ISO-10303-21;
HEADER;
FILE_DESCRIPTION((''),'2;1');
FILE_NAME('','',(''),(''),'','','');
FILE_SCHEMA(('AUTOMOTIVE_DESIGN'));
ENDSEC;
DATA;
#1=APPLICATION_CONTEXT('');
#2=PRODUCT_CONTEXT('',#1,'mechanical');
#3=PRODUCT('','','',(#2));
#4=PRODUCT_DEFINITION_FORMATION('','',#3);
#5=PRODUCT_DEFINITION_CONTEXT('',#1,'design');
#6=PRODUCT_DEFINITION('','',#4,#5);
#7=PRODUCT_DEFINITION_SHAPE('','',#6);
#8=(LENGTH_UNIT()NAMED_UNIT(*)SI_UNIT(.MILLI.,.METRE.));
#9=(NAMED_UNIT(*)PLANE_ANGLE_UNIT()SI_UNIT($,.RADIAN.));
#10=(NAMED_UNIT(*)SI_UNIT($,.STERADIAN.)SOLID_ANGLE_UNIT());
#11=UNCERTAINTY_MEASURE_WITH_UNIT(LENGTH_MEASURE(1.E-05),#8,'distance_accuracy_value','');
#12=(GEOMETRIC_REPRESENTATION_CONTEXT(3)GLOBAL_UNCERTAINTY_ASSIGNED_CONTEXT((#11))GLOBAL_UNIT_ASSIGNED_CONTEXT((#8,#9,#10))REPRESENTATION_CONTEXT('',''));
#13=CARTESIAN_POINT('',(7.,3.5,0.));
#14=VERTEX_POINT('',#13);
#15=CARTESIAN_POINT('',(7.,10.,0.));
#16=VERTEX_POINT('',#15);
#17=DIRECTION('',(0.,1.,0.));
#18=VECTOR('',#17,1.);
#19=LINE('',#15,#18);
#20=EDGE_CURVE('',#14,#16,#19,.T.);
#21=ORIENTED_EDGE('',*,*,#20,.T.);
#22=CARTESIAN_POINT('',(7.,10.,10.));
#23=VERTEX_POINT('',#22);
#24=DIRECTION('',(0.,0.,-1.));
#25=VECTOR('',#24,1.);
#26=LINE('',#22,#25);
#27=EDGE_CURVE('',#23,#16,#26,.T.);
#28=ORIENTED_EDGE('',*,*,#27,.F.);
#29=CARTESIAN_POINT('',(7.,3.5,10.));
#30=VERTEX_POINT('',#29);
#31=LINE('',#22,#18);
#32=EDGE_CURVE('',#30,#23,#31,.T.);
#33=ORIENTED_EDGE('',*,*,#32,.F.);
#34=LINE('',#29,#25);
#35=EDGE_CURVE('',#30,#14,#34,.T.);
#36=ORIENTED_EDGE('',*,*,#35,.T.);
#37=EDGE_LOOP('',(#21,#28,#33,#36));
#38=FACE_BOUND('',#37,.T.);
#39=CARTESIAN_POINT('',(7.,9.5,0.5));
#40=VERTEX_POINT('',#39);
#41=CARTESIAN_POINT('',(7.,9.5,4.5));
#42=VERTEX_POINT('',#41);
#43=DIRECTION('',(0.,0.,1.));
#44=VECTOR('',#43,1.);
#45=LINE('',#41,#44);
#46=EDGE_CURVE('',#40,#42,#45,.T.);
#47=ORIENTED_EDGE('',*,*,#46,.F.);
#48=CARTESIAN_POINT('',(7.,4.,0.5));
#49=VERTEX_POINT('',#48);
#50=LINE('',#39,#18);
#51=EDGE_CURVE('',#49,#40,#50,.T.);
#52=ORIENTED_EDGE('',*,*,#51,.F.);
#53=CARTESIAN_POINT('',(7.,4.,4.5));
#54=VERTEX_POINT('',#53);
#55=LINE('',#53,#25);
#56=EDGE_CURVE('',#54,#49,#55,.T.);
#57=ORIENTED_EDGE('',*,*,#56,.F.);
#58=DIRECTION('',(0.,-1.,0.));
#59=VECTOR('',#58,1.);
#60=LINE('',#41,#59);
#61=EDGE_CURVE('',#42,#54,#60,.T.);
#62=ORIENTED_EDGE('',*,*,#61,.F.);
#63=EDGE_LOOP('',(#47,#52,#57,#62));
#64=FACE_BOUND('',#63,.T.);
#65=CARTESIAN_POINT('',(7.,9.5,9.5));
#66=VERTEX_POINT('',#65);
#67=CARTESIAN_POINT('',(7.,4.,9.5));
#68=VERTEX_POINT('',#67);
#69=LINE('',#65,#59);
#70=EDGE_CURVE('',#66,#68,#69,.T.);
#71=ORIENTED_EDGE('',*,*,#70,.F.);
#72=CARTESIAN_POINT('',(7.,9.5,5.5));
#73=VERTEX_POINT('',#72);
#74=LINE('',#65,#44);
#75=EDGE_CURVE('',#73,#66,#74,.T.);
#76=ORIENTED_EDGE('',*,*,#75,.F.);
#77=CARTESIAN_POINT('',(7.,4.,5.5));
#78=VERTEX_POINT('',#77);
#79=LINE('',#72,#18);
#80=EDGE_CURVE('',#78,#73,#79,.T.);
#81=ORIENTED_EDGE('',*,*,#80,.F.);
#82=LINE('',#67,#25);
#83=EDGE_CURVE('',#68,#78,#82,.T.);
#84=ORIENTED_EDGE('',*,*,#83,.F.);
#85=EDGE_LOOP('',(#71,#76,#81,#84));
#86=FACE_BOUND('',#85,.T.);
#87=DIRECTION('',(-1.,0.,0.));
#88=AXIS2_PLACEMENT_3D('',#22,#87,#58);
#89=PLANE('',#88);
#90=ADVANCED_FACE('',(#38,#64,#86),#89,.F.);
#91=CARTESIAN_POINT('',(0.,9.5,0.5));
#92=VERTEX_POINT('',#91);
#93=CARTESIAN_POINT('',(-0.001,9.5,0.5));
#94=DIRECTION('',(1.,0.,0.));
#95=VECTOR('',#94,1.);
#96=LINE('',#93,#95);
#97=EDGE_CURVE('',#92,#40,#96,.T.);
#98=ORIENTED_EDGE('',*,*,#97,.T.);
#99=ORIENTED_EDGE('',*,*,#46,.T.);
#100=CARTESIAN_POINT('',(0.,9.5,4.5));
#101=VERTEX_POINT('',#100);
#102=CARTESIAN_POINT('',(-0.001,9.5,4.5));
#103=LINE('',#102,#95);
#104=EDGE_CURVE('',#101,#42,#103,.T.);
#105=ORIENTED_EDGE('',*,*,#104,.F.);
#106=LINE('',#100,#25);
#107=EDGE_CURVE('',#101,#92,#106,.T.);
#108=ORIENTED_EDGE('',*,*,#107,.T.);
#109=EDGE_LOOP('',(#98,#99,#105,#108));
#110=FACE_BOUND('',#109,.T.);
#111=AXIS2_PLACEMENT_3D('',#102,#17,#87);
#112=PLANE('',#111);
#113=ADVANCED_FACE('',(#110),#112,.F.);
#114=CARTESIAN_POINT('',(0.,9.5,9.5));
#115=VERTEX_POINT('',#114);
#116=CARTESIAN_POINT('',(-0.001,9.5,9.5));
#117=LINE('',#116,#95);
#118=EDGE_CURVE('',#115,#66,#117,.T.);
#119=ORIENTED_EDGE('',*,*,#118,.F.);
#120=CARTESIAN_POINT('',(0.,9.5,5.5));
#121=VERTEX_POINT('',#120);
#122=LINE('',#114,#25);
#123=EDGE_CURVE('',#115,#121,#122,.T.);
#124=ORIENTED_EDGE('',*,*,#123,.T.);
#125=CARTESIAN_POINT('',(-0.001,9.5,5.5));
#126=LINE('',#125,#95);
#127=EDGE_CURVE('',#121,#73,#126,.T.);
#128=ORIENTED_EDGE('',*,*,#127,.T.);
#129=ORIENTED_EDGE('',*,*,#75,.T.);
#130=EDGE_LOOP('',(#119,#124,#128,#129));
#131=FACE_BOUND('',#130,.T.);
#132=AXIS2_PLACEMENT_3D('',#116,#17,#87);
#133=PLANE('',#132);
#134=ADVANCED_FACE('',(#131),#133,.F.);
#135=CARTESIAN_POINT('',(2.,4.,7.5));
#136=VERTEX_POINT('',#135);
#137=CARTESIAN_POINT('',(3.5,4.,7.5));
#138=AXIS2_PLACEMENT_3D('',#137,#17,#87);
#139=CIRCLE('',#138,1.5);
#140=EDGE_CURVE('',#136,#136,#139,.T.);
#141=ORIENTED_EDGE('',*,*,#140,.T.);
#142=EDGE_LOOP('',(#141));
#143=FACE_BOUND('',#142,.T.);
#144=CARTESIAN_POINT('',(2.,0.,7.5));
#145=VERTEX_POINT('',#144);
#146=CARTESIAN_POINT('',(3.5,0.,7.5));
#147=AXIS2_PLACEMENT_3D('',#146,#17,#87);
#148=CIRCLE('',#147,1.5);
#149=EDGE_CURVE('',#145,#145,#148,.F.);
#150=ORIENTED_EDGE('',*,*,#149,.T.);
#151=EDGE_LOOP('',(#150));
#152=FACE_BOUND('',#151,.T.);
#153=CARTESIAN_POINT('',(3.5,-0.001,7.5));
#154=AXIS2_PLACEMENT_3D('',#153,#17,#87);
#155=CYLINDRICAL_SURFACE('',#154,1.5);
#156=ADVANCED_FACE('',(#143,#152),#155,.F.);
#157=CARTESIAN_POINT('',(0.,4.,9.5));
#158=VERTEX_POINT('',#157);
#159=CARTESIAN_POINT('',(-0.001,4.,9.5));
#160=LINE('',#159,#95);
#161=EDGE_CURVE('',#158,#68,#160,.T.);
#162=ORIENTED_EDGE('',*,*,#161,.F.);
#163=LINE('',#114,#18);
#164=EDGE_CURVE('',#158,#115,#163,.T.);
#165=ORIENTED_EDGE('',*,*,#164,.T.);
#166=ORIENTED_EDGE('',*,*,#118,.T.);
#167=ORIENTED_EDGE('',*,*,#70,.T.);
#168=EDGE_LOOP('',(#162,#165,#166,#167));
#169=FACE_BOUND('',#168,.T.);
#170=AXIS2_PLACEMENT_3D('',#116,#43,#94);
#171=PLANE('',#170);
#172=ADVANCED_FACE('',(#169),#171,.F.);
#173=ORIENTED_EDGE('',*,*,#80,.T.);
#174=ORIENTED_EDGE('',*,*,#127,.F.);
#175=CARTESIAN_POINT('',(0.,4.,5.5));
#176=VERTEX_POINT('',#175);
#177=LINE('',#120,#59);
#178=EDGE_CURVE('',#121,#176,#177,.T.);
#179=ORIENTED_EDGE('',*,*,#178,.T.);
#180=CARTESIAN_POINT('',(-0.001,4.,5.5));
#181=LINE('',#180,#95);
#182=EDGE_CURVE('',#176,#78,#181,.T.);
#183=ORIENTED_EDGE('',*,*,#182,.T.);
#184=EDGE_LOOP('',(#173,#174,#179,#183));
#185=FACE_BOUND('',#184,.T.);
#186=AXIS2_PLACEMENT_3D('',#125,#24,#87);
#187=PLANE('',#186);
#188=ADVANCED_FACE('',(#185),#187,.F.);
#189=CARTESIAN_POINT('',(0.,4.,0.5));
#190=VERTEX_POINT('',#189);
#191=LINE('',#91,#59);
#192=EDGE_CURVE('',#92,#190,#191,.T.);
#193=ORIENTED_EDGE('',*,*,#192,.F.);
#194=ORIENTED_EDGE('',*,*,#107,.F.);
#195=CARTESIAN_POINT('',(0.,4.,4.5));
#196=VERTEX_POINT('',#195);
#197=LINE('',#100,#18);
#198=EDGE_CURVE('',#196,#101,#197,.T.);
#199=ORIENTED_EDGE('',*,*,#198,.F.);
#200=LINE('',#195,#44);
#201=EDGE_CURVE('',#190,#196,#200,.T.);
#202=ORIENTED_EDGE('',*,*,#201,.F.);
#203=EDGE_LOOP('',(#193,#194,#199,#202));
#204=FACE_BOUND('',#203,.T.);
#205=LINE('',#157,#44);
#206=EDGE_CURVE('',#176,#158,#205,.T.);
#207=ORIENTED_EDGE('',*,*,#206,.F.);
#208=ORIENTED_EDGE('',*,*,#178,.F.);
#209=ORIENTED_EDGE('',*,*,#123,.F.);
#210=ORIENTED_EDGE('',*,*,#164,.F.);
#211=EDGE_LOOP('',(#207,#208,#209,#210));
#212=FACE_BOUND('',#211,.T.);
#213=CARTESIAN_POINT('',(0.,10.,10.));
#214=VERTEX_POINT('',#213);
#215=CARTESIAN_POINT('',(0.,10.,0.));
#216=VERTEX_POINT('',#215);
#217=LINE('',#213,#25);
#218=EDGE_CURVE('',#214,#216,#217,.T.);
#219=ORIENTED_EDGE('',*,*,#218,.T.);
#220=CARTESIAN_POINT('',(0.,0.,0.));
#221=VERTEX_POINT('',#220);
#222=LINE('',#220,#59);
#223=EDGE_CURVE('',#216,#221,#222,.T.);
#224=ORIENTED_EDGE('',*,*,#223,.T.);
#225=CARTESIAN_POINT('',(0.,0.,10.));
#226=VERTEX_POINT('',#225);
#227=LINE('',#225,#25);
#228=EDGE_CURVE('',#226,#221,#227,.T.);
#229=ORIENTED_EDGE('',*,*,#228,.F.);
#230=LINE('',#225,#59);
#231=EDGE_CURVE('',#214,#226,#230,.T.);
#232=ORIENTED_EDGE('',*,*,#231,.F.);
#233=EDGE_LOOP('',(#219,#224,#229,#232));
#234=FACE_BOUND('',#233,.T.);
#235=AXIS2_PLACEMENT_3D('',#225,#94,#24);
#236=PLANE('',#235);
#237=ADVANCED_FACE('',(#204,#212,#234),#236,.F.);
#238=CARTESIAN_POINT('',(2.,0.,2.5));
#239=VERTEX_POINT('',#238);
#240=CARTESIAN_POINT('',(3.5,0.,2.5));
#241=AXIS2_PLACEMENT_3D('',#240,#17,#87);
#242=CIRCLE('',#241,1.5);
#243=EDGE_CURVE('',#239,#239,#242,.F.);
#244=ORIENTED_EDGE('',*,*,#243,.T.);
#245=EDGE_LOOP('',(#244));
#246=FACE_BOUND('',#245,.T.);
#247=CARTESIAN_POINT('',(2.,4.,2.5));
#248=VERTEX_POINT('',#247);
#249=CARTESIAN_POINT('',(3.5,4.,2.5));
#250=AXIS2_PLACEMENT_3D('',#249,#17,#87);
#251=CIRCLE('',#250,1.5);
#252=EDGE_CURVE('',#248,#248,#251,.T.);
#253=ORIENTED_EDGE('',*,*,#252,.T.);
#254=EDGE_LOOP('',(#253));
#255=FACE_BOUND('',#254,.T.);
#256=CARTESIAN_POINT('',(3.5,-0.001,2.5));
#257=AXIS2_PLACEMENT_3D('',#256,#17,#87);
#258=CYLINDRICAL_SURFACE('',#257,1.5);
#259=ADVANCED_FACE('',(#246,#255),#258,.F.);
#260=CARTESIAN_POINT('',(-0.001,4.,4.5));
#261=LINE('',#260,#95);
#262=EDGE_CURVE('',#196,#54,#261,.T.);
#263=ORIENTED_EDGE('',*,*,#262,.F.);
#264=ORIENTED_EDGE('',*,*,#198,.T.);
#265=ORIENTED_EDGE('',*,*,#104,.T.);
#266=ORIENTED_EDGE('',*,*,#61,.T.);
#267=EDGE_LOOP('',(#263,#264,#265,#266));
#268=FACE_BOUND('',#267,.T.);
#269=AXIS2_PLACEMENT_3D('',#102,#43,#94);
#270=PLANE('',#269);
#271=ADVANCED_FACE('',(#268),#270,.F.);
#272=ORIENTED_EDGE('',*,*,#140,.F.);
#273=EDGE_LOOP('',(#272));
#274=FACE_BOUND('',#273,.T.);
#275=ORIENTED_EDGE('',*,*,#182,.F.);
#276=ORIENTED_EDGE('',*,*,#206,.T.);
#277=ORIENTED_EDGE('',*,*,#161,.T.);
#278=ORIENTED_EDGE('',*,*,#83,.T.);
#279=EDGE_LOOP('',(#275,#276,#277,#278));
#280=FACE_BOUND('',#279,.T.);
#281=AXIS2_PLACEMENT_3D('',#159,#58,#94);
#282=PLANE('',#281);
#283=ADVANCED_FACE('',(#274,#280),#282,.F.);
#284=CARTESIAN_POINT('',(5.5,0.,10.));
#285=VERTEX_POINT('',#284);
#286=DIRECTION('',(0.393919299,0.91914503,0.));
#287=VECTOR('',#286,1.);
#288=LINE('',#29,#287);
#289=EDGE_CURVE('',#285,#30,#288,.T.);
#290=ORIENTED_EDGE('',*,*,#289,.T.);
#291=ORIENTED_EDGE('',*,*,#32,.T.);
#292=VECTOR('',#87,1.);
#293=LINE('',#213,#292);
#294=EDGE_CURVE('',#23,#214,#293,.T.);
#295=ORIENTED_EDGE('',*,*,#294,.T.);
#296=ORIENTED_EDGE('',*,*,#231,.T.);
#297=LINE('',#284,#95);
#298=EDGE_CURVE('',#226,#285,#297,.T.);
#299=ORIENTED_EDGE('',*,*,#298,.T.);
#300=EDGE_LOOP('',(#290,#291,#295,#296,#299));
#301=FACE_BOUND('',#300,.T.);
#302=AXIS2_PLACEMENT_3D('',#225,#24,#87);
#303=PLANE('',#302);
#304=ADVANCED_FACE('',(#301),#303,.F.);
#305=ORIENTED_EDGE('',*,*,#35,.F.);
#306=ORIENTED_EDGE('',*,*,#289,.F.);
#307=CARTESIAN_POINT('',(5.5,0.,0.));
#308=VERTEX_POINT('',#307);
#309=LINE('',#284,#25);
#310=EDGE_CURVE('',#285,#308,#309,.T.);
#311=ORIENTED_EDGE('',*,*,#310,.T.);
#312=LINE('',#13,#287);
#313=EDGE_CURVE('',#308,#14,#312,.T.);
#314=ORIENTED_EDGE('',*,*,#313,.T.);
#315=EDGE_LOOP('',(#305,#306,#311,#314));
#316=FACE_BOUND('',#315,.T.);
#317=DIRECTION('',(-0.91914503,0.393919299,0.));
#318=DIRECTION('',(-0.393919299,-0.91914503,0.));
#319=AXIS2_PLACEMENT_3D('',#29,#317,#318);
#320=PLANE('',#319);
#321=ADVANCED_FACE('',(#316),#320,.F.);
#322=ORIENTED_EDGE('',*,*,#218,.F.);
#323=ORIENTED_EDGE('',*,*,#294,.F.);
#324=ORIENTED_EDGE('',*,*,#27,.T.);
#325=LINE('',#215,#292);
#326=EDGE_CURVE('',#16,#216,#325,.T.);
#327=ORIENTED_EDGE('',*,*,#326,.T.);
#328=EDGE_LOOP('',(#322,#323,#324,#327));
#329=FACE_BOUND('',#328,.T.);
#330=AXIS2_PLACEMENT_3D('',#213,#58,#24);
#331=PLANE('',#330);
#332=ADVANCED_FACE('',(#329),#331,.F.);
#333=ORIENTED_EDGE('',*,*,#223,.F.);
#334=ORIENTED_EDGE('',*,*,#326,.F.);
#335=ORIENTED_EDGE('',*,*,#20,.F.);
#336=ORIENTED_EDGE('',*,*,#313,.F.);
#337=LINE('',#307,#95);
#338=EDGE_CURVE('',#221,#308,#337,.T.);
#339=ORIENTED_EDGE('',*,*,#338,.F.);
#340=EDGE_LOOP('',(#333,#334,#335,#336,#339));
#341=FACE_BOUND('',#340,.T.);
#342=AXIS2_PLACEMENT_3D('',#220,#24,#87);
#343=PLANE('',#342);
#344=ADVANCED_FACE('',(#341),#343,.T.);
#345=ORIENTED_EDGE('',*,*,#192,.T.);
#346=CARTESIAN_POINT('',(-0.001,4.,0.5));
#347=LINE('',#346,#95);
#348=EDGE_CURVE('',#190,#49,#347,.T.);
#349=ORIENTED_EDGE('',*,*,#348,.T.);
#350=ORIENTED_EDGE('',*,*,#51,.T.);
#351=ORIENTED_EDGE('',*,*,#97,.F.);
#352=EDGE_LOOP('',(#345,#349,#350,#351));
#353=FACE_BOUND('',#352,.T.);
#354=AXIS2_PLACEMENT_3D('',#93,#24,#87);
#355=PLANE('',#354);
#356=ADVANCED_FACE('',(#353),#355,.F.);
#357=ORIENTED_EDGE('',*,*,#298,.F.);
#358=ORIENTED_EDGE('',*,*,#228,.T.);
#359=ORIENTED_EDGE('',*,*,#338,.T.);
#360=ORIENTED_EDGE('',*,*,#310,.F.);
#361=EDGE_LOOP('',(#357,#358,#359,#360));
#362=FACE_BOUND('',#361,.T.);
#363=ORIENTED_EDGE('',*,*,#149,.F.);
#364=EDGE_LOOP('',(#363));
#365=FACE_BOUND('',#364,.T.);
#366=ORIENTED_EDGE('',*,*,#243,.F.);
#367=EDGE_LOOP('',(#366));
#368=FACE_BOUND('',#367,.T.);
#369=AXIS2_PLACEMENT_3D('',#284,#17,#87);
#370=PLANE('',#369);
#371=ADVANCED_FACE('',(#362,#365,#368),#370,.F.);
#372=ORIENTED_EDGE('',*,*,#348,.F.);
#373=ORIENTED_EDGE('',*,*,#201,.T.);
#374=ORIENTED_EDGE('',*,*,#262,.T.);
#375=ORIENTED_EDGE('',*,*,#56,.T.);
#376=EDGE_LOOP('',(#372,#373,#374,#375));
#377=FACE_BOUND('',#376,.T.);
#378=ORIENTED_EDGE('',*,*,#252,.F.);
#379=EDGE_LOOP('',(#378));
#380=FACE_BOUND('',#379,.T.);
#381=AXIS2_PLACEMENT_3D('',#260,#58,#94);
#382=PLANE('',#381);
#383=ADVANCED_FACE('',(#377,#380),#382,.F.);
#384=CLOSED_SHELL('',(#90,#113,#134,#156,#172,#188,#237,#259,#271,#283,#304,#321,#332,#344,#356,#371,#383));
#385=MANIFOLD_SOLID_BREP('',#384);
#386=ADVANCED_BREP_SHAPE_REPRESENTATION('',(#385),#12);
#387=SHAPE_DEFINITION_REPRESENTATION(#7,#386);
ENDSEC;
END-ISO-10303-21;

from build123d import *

# Parameters (mm, degrees)
BOSS_EXTRUDE1_DEPTH = 10
CUT_EXTRUDE1_REACH  = 9
SKETCH2_W           = 4
SKETCH2_H           = 5.5
CUT_EXTRUDE2_REACH  = 6
SKETCH3_R           = 1.5


with BuildPart() as part:
    # Sketch1 → Boss-Extrude1 (new body)
    with BuildSketch(Plane.XY):
        Polygon((0, 0), (0, 10), (7, 10), (7, 3.5), (5.5, 0), align=None)
    extrude(amount=BOSS_EXTRUDE1_DEPTH)

    # Sketch2 → Cut-Extrude1 (cut, up to next)
    with BuildSketch(Plane(origin=(7, 0, 0), x_dir=(0, 0, -1), z_dir=(1, 0, 0)), mode=Mode.PRIVATE) as cut_extrude1_sk1:
        with Locations((-7.5, 6.75)):
            Rectangle(SKETCH2_W, SKETCH2_H)
    cut_extrude1_tool1 = extrude(cut_extrude1_sk1.sketch, amount=-CUT_EXTRUDE1_REACH, mode=Mode.PRIVATE) & part.part
    add(cut_extrude1_tool1.solids().sort_by_distance((7, 6.75, 7.5))[0], mode=Mode.SUBTRACT)
    # Sketch2 → Cut-Extrude1 (cut, up to next)
    with BuildSketch(Plane(origin=(7, 0, 0), x_dir=(0, 0, -1), z_dir=(1, 0, 0)), mode=Mode.PRIVATE) as cut_extrude1_sk2:
        with Locations((-2.5, 6.75)):
            Rectangle(SKETCH2_W, SKETCH2_H)
    cut_extrude1_tool2 = extrude(cut_extrude1_sk2.sketch, amount=-CUT_EXTRUDE1_REACH, mode=Mode.PRIVATE) & part.part
    add(cut_extrude1_tool2.solids().sort_by_distance((7, 6.75, 2.5))[0], mode=Mode.SUBTRACT)

    # Sketch3 → Cut-Extrude2 (cut, up to next)
    with BuildSketch(Plane(origin=(0, 4, 0), x_dir=(1, 0, 0), z_dir=(0, 1, 0)), mode=Mode.PRIVATE) as cut_extrude2_sk1:
        with Locations((3.5, -2.5)):
            Circle(SKETCH3_R)
    cut_extrude2_tool1 = extrude(cut_extrude2_sk1.sketch, amount=-CUT_EXTRUDE2_REACH, mode=Mode.PRIVATE) & part.part
    add(cut_extrude2_tool1.solids().sort_by_distance((3.5, 4, 2.5))[0], mode=Mode.SUBTRACT)
    # Sketch3 → Cut-Extrude2 (cut, up to next)
    with BuildSketch(Plane(origin=(0, 4, 0), x_dir=(1, 0, 0), z_dir=(0, 1, 0)), mode=Mode.PRIVATE) as cut_extrude2_sk2:
        with Locations((3.5, -7.5)):
            Circle(SKETCH3_R)
    cut_extrude2_tool2 = extrude(cut_extrude2_sk2.sketch, amount=-CUT_EXTRUDE2_REACH, mode=Mode.PRIVATE) & part.part
    add(cut_extrude2_tool2.solids().sort_by_distance((3.5, 4, 7.5))[0], mode=Mode.SUBTRACT)


solid = part.part
